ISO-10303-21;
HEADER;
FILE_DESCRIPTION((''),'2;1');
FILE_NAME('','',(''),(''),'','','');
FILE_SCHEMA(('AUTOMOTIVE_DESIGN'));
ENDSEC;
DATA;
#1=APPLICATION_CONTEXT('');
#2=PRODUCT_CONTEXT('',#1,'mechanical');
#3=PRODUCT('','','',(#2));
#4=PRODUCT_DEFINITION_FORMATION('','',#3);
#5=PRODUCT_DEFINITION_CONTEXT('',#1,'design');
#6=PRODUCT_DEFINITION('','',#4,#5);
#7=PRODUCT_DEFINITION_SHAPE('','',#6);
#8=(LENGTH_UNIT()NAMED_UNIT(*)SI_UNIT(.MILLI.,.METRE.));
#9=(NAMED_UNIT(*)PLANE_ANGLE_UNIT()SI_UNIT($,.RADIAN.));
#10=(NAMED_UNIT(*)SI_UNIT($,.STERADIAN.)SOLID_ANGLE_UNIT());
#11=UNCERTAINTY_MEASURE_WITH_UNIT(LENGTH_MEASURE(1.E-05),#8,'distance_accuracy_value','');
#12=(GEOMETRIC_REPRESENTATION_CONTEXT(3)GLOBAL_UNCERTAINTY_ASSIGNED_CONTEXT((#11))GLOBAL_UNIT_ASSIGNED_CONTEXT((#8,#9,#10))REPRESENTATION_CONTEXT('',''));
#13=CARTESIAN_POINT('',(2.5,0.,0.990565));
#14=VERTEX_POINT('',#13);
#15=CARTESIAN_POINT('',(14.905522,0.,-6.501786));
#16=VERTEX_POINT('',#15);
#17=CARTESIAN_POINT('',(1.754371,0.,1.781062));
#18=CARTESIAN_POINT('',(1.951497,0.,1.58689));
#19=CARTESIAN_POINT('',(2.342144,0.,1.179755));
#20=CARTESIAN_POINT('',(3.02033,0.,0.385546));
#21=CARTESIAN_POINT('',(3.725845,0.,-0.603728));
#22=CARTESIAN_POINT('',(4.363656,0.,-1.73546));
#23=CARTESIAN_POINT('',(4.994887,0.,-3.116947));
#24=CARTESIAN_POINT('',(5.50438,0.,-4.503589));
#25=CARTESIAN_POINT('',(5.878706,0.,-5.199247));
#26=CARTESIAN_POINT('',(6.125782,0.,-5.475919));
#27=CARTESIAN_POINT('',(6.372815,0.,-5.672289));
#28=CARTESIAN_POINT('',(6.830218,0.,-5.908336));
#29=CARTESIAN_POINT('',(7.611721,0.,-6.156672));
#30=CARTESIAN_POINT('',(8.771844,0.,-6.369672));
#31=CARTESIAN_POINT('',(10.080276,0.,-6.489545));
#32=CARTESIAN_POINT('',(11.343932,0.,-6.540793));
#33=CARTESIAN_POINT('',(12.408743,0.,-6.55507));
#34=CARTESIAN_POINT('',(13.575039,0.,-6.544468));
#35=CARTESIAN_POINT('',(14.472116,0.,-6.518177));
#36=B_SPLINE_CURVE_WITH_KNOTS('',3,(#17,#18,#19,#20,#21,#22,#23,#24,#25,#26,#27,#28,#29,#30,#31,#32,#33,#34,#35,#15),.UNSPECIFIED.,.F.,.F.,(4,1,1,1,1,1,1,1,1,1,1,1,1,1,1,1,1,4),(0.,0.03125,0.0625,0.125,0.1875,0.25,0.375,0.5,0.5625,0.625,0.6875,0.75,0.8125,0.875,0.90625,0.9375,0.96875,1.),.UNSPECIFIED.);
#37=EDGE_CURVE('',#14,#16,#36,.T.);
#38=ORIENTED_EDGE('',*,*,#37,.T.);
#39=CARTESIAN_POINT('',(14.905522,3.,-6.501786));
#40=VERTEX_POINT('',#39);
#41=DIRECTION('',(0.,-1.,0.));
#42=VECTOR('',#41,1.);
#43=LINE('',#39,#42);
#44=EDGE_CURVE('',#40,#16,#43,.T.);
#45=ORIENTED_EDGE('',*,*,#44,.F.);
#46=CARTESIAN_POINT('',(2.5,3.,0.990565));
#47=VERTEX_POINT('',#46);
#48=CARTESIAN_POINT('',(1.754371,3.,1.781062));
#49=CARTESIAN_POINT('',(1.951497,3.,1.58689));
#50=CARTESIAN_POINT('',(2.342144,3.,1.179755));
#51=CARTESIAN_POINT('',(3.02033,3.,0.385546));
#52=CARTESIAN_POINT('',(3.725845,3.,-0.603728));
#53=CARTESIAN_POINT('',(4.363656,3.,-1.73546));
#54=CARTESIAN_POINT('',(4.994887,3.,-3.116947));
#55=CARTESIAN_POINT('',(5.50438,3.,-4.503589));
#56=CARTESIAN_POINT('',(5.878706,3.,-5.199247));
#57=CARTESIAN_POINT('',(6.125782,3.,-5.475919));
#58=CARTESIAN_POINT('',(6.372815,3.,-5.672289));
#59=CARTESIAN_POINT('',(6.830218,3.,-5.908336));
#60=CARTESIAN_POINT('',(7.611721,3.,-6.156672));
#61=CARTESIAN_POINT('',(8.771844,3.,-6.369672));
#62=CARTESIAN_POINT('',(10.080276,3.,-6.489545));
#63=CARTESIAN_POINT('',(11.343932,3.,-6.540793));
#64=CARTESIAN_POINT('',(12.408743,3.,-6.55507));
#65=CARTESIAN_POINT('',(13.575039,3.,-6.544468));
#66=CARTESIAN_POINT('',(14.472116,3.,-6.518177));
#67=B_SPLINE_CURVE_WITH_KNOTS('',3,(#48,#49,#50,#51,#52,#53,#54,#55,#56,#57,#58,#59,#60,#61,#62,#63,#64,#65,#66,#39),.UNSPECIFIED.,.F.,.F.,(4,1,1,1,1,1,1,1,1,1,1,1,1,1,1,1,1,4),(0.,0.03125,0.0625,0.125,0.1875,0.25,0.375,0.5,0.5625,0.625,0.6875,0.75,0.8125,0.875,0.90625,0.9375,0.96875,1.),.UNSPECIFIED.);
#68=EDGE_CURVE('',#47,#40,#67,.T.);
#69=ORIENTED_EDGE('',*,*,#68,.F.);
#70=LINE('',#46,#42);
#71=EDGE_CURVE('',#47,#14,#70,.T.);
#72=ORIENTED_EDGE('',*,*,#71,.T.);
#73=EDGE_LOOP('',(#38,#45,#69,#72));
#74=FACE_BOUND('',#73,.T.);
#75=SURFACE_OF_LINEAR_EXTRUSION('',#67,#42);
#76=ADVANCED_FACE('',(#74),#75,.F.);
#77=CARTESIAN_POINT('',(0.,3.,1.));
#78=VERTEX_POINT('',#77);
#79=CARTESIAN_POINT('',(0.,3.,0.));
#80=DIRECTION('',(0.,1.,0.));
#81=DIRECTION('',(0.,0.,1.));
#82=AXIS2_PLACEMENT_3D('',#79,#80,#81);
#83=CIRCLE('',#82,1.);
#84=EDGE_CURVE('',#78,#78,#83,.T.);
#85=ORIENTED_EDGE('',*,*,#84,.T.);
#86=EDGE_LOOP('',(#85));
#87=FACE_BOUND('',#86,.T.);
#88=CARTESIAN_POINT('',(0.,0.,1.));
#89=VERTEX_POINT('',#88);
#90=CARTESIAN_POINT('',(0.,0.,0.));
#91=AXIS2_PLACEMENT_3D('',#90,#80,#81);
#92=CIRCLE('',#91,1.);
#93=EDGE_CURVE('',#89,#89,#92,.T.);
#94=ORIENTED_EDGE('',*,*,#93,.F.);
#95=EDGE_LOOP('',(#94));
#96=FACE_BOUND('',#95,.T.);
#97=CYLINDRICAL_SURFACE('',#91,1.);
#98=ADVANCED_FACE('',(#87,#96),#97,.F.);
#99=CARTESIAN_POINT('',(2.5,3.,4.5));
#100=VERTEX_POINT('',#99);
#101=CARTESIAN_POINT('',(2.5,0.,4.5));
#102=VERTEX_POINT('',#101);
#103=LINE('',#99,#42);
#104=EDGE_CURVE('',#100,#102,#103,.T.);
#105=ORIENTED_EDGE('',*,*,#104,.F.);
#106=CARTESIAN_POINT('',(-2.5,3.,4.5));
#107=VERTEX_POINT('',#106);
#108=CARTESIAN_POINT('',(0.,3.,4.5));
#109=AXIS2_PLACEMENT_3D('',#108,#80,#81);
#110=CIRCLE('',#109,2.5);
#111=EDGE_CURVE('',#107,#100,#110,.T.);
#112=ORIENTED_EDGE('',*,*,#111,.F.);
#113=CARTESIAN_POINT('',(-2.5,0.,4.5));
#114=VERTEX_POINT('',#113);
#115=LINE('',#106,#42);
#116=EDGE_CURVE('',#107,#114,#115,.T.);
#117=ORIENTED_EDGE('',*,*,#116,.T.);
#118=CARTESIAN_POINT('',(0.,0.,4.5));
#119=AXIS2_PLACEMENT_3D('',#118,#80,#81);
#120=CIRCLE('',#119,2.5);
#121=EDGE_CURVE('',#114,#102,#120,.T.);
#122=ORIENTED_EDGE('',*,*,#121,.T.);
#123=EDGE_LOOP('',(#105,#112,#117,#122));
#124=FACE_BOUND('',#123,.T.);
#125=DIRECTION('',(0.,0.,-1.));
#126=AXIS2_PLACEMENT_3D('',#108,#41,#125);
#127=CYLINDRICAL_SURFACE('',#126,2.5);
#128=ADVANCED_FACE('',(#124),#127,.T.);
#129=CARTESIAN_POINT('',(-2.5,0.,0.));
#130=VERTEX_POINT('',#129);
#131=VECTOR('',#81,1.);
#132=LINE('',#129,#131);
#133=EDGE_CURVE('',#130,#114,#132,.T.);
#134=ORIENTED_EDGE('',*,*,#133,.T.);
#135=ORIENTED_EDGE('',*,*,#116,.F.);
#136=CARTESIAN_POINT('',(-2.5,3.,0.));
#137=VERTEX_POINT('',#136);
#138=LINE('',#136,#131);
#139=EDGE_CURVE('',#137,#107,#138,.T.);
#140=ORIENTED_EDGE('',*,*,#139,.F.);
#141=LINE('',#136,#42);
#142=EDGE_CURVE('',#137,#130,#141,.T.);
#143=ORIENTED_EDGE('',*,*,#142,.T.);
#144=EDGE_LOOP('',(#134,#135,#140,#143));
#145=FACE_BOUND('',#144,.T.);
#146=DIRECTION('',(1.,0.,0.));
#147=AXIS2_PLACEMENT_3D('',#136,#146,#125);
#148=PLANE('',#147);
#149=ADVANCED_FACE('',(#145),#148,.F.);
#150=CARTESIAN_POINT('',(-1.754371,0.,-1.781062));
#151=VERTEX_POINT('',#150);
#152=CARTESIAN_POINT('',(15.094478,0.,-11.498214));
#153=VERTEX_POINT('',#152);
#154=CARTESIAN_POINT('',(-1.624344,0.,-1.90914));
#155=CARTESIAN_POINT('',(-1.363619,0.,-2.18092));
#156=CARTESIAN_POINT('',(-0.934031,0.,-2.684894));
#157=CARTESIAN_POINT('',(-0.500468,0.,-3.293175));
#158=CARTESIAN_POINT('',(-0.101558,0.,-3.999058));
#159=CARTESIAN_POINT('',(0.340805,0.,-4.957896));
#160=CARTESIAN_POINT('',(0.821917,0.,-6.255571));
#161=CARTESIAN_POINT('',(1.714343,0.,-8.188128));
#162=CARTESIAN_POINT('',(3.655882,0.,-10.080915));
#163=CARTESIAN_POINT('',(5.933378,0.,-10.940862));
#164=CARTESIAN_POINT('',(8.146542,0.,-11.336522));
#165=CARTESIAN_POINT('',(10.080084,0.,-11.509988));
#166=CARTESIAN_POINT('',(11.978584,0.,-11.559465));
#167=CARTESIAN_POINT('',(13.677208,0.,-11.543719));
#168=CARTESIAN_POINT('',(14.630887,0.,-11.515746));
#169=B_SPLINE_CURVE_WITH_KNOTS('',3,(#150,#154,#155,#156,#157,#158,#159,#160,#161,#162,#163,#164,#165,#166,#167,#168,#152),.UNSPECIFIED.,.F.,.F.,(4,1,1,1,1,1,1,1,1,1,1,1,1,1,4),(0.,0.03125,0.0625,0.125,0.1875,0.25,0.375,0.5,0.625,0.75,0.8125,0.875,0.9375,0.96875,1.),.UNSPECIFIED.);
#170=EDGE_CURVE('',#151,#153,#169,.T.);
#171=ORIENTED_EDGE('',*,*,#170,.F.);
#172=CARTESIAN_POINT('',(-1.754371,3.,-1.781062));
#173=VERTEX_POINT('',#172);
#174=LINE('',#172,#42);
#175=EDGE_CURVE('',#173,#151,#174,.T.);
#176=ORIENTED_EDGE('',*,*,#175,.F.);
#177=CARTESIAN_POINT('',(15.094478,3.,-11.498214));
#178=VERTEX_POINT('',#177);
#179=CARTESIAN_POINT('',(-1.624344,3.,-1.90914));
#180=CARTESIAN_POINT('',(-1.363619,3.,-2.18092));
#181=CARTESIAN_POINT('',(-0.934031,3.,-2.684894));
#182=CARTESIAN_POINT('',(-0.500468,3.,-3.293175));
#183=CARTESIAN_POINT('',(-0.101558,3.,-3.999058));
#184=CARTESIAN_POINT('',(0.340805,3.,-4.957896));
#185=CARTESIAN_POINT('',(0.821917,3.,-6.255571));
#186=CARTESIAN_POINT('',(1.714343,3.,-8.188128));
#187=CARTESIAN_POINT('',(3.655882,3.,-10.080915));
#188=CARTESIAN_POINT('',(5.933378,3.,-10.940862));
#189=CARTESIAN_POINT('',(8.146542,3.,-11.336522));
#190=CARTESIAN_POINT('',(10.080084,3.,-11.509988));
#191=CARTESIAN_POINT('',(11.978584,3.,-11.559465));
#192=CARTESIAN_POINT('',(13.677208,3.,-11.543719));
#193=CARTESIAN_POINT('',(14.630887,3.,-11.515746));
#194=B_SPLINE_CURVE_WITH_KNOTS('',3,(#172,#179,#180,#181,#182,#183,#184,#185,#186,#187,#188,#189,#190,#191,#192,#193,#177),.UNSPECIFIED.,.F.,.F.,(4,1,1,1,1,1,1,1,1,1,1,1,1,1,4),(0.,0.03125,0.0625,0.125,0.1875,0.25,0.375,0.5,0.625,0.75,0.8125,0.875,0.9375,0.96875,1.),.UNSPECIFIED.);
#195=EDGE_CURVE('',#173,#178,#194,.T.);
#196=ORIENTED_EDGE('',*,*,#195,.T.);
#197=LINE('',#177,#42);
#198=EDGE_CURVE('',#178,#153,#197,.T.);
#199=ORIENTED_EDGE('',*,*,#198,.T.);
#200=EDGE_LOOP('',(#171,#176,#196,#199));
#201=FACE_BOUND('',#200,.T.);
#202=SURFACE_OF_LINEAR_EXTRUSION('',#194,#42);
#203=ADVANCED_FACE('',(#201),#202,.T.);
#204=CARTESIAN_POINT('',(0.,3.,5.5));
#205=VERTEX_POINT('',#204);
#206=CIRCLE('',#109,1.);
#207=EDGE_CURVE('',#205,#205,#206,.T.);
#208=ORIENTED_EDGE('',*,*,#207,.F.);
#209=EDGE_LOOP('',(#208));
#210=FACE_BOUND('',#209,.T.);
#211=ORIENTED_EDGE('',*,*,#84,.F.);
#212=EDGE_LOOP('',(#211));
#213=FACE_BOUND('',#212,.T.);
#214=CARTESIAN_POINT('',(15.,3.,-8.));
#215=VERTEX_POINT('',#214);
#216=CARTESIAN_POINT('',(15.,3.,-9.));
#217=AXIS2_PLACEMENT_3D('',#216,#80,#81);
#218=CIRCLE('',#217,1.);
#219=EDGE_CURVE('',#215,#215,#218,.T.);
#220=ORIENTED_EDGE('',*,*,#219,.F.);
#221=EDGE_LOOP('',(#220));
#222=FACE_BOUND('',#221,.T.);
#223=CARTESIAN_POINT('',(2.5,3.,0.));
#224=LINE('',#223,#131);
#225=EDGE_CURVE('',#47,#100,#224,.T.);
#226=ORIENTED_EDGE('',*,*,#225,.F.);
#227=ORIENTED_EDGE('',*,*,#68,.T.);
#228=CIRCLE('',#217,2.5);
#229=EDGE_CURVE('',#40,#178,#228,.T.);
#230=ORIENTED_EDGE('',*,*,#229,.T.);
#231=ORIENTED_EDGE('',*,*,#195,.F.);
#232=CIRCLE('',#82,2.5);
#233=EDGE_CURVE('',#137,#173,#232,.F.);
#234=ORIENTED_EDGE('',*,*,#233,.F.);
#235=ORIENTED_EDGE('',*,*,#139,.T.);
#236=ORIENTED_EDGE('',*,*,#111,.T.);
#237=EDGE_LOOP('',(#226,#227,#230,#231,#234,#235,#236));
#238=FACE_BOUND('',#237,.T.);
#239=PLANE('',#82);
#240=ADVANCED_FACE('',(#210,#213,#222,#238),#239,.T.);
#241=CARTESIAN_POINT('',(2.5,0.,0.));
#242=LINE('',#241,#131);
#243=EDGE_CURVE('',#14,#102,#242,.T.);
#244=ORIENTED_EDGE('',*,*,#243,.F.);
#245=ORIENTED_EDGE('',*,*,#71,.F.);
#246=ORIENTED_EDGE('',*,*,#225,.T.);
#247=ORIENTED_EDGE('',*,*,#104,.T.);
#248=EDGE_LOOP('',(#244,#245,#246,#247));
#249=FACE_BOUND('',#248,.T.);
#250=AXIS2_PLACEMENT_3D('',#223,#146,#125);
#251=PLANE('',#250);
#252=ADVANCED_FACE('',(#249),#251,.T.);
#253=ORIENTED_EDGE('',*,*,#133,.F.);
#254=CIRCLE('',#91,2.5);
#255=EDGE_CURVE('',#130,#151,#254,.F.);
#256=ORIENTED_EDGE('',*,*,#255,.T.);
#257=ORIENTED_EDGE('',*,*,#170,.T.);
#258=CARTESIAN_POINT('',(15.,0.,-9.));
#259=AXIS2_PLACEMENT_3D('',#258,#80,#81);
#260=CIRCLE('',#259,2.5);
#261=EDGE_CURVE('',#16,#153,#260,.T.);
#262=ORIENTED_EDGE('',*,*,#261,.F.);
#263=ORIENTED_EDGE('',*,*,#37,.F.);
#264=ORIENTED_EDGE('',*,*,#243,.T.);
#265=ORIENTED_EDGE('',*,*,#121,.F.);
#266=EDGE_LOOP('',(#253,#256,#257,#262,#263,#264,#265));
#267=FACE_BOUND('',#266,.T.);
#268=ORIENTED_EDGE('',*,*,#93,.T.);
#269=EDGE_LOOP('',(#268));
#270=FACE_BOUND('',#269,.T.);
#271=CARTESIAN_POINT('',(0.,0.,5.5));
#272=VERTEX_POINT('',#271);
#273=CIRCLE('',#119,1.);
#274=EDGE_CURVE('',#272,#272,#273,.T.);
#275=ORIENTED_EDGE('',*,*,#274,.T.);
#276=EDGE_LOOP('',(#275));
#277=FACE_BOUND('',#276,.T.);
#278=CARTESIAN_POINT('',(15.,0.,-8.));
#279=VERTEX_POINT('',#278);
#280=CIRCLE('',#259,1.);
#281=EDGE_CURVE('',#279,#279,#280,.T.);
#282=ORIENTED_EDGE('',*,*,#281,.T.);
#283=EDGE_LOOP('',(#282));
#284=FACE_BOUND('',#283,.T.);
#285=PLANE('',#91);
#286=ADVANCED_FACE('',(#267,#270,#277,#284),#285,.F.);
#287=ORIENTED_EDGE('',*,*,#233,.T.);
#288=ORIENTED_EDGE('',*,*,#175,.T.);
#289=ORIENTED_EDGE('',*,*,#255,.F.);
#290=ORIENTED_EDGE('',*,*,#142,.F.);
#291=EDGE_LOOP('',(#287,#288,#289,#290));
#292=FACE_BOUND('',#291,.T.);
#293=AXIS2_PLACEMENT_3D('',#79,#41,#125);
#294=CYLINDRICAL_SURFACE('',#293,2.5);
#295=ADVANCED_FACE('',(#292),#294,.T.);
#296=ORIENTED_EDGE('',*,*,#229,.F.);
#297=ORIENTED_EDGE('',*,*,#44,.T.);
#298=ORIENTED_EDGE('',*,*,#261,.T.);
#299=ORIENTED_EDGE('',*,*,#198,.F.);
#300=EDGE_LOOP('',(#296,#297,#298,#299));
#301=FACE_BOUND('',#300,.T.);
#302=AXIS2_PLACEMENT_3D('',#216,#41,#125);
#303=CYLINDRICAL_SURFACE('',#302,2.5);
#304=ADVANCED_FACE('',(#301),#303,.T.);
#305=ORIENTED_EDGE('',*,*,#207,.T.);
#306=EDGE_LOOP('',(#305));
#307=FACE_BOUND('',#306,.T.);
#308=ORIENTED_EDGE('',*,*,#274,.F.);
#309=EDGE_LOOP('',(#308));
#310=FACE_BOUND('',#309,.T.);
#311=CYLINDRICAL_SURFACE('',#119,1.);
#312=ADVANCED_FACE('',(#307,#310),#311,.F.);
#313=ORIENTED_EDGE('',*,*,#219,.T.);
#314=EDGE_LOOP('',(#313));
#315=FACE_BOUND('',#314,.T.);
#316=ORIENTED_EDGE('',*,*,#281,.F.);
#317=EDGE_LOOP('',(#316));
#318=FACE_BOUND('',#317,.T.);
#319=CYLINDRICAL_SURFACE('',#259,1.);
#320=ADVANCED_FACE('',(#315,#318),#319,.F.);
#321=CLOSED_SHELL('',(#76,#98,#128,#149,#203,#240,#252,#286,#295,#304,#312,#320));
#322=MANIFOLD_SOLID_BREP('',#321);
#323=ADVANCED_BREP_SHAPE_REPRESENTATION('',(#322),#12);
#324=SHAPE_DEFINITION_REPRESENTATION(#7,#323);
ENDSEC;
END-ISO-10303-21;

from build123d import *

# Parameters (mm, degrees)
BOSS_EXTRUDE1_DEPTH = 3
SKETCH2_R           = 1
CUT_EXTRUDE1_DEPTH  = 22.181959729


with BuildPart() as part:
    # Sketch1 → Boss-Extrude1 (new body)
    with BuildSketch(Plane(origin=(0, 0, 0), x_dir=(1, 0, 0), z_dir=(0, 1, 0))):
        with BuildLine():
            Line((2.5, 0), (2.5, -4.5))
            ThreePointArc((2.5, -4.5), (0, -7), (-2.5, -4.5))
            Line((-2.5, -4.5), (-2.5, 0))
            ThreePointArc((-2.5, 0), (0, 2.5), (2.5, 0))
        make_face()
        with BuildLine():
            ThreePointArc((1.75437082, -1.781062331), (-1.781062331, -1.75437082), (-1.75437082, 1.781062331))
            add(Edge.make_bspline(
                [(-1.75437082, 1.781062331), (-1.624344078, 1.909140455), (-1.363618783, 2.180920031), (-0.934031434, 2.684894066), (-0.500467654, 3.293174505), (-0.101558497, 3.999057838), (0.34080487, 4.957895832), (0.821917137, 6.255571477), (1.714343148, 8.188128347), (3.655881762, 10.080915103), (5.933377524, 10.940861788), (8.146541971, 11.336521676), (10.080084472, 11.509987641), (11.978583924, 11.559465158), (13.677207867, 11.543719259), (14.630887101, 11.515746346), (15.094478117, 11.498214139)],
                knots=[0, 0, 0, 0, 0.03125, 0.0625, 0.125, 0.1875, 0.25, 0.375, 0.5, 0.625, 0.75, 0.8125, 0.875, 0.9375, 0.96875, 1, 1, 1, 1], degree=3))
            ThreePointArc((15.094478117, 11.498214139), (17.498214139, 8.905521883), (14.905521883, 6.501785861))
            add(Edge.make_bspline(
                [(1.75437082, -1.781062331), (1.951496972, -1.586890368), (2.342143686, -1.179754933), (3.020330121, -0.385545775), (3.725845298, 0.603727778), (4.363656227, 1.735460048), (4.994886909, 3.116947346), (5.504379808, 4.503589215), (5.878706331, 5.199246763), (6.125781999, 5.475918673), (6.372815317, 5.672288553), (6.830218188, 5.908335694), (7.611720621, 6.156671842), (8.771844258, 6.369671634), (10.080276197, 6.489545456), (11.343932269, 6.540793236), (12.408742942, 6.555070021), (13.575038588, 6.544467964), (14.472115696, 6.51817653), (14.905521883, 6.501785861)],
                knots=[0, 0, 0, 0, 0.03125, 0.0625, 0.125, 0.1875, 0.25, 0.375, 0.5, 0.5625, 0.625, 0.6875, 0.75, 0.8125, 0.875, 0.90625, 0.9375, 0.96875, 1, 1, 1, 1], degree=3))
        make_face()
    extrude(amount=BOSS_EXTRUDE1_DEPTH)

    # Sketch2 → Cut-Extrude1 (cut, through all)
    with BuildSketch(Plane(origin=(0, 3, 0), x_dir=(1, 0, 0), z_dir=(0, 1, 0))):
        with Locations(Location((0, 0, 0), (0, 0, 270))):
            Circle(SKETCH2_R)
        with Locations(Location((0, -4.5, 0), (0, 0, 270))):
            Circle(SKETCH2_R)
        with Locations(Location((15, 9, 0), (0, 0, 270))):
            Circle(SKETCH2_R)
    extrude(amount=-CUT_EXTRUDE1_DEPTH, mode=Mode.SUBTRACT)


solid = part.part
